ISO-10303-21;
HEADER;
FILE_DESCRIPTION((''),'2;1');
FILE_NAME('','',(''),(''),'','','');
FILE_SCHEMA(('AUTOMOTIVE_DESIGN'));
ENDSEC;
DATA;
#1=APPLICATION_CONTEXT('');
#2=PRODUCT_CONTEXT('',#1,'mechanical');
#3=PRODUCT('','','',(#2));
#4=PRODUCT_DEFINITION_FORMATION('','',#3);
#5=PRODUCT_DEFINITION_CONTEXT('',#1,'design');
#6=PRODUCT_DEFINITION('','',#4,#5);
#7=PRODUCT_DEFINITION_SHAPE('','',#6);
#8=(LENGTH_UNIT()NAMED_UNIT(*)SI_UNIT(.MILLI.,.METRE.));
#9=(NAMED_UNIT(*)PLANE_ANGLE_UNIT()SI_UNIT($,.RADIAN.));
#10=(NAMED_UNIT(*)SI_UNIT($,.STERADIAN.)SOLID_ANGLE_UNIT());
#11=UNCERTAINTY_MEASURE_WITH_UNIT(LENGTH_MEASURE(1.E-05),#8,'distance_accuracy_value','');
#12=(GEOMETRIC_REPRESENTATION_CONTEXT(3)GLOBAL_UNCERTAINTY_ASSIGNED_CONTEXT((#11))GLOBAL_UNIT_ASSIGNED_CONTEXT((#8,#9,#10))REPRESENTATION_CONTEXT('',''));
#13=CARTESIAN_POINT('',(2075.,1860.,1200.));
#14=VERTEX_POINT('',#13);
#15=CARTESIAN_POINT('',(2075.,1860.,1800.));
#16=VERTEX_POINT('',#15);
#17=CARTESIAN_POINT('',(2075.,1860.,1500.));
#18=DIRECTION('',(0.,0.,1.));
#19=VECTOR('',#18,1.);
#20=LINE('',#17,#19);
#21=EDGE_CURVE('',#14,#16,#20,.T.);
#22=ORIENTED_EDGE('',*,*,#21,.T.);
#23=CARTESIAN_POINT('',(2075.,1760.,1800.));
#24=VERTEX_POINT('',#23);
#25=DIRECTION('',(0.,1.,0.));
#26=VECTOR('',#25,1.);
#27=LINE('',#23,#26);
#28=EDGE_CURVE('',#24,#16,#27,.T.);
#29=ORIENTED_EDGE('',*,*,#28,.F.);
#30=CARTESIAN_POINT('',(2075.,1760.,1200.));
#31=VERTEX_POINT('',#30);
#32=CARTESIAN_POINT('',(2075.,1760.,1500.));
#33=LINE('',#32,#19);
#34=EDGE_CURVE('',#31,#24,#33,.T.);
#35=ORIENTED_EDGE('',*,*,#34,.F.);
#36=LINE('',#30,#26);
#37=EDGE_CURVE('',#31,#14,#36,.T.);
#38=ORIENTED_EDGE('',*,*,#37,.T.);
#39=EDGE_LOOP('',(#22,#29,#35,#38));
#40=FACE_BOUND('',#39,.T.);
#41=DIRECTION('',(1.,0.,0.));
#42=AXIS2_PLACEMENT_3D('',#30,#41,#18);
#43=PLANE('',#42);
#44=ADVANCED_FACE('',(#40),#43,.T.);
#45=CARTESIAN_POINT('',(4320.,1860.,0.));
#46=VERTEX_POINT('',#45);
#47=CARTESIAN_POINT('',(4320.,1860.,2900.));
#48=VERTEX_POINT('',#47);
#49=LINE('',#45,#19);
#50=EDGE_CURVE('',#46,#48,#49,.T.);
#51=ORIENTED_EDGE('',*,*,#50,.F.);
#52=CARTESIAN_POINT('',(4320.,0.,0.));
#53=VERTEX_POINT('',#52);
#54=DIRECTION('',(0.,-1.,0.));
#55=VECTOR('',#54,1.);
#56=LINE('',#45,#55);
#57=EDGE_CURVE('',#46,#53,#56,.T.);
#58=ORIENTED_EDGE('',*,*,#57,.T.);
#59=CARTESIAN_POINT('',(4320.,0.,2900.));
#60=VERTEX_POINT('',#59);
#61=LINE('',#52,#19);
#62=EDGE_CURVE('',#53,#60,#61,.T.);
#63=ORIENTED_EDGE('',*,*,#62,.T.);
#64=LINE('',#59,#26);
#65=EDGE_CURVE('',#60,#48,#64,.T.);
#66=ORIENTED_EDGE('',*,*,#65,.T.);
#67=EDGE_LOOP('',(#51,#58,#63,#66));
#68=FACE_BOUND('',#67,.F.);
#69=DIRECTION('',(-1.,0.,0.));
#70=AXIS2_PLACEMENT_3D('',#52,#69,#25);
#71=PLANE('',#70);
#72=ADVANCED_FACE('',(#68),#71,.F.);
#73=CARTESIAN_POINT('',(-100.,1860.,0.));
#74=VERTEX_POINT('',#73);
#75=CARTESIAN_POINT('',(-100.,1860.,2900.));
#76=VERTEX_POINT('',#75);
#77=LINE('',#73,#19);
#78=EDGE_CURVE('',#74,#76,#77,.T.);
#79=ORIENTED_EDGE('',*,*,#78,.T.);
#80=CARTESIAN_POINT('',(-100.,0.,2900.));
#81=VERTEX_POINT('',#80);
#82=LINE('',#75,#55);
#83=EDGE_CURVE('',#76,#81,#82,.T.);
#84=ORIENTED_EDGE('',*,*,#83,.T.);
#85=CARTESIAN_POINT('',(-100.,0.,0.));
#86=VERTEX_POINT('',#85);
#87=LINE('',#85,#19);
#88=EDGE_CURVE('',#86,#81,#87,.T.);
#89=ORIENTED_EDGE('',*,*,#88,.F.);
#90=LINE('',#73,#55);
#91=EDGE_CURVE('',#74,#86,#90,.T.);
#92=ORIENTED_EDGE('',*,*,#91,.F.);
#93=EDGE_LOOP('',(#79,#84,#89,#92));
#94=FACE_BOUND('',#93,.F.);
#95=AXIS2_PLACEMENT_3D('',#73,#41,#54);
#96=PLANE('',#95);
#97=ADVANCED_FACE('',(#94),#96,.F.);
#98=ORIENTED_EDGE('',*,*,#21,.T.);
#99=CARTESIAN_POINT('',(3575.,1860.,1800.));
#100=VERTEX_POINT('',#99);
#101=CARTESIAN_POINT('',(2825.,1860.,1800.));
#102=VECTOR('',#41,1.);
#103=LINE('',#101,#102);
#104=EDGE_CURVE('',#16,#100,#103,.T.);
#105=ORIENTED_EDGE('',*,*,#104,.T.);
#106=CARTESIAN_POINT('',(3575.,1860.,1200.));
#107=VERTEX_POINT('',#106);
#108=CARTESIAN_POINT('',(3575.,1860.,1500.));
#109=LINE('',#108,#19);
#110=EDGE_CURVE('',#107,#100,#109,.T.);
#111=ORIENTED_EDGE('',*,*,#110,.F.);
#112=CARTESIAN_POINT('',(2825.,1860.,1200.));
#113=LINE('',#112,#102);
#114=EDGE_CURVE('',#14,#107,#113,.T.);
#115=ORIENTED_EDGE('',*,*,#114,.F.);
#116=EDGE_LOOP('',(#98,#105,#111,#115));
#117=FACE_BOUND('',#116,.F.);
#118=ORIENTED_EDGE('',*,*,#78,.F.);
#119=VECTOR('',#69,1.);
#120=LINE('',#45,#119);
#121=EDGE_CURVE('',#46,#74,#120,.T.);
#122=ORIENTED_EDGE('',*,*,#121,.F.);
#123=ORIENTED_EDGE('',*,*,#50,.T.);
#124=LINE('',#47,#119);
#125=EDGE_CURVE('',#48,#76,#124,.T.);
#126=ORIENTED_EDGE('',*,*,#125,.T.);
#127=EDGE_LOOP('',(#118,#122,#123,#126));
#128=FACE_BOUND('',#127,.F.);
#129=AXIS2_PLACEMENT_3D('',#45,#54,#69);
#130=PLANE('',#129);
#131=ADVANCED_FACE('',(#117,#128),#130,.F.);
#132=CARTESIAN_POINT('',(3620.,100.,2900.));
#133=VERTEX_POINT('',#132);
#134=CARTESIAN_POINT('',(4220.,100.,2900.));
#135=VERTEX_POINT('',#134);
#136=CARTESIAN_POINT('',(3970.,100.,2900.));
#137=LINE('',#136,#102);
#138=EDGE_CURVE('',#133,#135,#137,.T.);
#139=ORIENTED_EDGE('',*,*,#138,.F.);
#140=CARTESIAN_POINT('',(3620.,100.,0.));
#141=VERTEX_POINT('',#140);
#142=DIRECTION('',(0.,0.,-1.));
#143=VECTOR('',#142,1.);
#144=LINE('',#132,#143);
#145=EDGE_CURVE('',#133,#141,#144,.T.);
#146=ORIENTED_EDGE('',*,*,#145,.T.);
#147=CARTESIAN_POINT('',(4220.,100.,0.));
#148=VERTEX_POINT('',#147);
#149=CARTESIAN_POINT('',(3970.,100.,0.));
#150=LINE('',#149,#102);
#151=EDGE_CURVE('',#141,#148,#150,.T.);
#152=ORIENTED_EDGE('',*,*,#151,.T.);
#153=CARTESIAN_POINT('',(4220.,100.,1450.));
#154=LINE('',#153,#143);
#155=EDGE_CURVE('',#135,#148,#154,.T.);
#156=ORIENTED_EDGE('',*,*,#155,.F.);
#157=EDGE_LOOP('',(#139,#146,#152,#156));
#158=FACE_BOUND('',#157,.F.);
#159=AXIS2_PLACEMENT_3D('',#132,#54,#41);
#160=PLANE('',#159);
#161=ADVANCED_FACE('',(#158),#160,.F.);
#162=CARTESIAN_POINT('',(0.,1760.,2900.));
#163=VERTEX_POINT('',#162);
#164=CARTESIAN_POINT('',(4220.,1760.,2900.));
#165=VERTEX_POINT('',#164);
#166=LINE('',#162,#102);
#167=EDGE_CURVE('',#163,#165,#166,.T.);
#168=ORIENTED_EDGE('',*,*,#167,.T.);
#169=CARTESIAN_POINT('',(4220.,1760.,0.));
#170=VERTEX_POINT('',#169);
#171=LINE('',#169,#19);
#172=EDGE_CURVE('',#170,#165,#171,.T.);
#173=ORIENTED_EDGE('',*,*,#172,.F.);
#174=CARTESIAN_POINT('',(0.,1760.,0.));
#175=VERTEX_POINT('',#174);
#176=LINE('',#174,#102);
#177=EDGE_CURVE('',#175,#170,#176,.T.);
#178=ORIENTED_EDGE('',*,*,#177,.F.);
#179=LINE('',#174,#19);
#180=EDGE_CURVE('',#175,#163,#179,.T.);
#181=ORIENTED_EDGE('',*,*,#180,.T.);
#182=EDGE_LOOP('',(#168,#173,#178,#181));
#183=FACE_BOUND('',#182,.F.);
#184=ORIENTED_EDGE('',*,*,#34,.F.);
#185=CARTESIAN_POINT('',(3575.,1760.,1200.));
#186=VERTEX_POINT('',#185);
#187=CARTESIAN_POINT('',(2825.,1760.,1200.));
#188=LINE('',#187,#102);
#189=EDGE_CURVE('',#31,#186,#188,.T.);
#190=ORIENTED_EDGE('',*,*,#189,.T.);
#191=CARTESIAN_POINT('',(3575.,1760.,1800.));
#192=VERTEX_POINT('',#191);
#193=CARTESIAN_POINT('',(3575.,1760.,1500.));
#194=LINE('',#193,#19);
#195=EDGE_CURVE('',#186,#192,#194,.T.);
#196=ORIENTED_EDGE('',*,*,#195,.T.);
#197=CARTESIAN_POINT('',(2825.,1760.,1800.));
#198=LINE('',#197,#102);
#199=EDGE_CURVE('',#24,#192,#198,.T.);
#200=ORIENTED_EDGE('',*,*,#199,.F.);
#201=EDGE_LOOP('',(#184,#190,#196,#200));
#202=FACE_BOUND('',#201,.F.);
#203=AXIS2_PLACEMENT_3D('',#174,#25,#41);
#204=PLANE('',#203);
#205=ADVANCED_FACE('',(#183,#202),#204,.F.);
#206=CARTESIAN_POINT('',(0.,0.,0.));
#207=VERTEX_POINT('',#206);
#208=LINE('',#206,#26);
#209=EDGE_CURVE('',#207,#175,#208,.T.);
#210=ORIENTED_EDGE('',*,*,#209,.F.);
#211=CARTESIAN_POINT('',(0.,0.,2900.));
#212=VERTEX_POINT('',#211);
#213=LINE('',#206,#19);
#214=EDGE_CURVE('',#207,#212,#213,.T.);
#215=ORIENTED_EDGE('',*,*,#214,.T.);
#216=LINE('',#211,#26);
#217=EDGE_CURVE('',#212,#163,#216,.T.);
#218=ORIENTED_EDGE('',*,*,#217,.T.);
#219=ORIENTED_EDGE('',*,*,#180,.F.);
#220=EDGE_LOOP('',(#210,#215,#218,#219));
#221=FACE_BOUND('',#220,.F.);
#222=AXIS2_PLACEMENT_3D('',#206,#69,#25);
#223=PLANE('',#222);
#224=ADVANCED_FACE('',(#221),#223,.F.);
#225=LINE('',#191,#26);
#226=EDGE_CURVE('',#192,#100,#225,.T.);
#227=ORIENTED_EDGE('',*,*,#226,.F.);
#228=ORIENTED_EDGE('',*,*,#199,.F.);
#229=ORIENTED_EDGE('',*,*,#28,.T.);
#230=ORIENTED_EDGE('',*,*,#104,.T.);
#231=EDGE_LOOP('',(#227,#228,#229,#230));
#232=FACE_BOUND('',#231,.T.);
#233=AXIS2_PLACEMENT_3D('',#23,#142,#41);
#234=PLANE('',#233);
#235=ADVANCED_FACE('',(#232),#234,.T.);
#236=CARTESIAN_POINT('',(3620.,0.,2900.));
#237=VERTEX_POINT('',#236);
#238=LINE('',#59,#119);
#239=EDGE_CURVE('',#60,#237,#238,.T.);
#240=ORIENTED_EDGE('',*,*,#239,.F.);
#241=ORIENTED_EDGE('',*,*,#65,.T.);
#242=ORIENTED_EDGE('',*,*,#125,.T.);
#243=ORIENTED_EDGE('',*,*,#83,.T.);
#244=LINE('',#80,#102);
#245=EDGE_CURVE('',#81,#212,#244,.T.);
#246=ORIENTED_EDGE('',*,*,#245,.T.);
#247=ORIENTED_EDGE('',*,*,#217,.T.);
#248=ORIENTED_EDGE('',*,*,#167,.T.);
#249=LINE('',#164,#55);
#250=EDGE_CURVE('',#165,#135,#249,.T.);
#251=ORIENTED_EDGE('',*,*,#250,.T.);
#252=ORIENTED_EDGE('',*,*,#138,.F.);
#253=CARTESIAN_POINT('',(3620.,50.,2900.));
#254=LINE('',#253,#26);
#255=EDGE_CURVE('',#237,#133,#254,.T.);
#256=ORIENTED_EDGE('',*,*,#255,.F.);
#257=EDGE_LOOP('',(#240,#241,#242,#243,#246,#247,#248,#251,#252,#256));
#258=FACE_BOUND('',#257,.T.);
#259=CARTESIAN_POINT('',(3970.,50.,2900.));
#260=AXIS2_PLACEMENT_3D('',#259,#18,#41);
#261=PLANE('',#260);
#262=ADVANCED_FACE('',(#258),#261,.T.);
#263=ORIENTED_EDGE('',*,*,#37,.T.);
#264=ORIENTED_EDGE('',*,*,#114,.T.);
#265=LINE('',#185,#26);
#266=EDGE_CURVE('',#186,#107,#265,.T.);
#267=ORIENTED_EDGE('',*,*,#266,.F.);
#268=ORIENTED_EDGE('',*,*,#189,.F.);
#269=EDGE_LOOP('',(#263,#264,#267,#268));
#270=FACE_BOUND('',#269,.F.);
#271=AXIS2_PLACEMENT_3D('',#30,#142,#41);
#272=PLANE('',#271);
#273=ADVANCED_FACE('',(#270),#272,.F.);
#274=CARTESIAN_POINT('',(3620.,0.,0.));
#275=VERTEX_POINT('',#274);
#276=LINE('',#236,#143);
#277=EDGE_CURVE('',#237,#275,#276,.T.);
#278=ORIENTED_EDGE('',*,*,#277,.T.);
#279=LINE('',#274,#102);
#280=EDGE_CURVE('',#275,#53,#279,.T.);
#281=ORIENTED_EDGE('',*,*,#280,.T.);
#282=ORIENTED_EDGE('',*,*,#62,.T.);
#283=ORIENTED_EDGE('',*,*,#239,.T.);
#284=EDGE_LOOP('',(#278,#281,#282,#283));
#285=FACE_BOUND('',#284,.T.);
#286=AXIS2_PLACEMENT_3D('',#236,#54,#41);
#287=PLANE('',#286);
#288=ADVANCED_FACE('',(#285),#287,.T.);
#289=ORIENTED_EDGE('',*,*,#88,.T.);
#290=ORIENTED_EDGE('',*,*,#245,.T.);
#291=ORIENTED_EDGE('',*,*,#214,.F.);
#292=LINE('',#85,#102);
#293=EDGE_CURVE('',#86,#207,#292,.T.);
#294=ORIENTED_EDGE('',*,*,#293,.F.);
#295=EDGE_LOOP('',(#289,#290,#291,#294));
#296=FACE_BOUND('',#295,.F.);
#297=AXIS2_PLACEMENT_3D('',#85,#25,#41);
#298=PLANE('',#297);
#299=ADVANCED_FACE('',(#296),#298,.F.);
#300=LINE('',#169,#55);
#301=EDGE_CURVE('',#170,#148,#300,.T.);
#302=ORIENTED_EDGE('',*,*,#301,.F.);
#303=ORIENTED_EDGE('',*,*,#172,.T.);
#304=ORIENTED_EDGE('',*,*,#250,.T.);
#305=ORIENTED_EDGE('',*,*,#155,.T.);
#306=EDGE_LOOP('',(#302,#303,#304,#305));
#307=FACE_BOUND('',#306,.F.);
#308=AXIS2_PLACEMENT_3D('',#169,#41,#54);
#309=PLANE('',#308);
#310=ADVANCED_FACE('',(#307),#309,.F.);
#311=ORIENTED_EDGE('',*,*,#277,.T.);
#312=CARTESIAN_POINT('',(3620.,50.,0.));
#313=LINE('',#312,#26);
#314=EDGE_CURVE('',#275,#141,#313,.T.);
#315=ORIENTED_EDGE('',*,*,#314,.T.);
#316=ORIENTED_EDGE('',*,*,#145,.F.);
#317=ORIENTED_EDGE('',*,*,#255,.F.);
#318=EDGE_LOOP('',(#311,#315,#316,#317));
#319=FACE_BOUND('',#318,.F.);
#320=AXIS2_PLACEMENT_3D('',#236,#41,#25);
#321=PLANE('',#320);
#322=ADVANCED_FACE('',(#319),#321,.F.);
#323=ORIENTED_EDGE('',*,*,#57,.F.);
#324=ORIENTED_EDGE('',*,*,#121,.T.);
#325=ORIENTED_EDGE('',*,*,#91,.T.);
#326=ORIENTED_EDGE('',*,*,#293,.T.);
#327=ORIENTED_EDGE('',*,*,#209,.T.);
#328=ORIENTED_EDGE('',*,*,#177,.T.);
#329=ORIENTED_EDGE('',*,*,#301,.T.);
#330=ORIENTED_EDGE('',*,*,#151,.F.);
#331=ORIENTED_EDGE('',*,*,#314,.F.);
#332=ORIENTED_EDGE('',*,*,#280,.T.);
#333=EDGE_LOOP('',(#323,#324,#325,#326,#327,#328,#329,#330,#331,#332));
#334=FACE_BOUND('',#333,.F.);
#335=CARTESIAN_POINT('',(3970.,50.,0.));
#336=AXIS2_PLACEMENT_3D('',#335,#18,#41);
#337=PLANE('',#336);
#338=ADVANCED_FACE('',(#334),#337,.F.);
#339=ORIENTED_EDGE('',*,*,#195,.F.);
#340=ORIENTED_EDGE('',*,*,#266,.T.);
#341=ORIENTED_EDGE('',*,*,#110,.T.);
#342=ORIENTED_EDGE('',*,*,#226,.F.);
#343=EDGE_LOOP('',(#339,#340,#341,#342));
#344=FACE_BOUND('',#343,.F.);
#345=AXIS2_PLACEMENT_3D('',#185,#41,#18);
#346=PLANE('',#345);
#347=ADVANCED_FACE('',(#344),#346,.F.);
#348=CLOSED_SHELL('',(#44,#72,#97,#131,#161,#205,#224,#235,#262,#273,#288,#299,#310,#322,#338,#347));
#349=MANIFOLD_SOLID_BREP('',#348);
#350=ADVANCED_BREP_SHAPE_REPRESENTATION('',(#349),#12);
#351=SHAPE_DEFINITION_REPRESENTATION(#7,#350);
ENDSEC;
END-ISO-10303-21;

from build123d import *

# Parameters (mm, degrees)
F1_DEPTH = 2900
F2_W     = 1500
F2_H     = 600
F3_DEPTH = 100
F4_W     = 700
F4_H     = 100
F5_DEPTH = 2900


with BuildPart() as f1:
    # F0 (on Top) → F1 (new body)
    with BuildSketch(Plane.XY):
        Polygon((-100, 0), (0, 0), (0, 1760), (4220, 1760), (4220, 0), (4320, 0), (4320, 1860), (-100, 1860), align=None)
    extrude(amount=F1_DEPTH)

    # F2 (on face) → F3 (cut, through all)
    with BuildSketch(Plane.XZ.offset(-1760)):
        with Locations((2825, 1500)):
            Rectangle(F2_W, F2_H)
    extrude(amount=-F3_DEPTH, mode=Mode.SUBTRACT)

    # F4 (on face) → F5 (join)
    with BuildSketch(Plane.XY.offset(2900)):
        with Locations((3970, 50)):
            Rectangle(F4_W, F4_H)
    extrude(amount=-F5_DEPTH)


solid = f1.part
